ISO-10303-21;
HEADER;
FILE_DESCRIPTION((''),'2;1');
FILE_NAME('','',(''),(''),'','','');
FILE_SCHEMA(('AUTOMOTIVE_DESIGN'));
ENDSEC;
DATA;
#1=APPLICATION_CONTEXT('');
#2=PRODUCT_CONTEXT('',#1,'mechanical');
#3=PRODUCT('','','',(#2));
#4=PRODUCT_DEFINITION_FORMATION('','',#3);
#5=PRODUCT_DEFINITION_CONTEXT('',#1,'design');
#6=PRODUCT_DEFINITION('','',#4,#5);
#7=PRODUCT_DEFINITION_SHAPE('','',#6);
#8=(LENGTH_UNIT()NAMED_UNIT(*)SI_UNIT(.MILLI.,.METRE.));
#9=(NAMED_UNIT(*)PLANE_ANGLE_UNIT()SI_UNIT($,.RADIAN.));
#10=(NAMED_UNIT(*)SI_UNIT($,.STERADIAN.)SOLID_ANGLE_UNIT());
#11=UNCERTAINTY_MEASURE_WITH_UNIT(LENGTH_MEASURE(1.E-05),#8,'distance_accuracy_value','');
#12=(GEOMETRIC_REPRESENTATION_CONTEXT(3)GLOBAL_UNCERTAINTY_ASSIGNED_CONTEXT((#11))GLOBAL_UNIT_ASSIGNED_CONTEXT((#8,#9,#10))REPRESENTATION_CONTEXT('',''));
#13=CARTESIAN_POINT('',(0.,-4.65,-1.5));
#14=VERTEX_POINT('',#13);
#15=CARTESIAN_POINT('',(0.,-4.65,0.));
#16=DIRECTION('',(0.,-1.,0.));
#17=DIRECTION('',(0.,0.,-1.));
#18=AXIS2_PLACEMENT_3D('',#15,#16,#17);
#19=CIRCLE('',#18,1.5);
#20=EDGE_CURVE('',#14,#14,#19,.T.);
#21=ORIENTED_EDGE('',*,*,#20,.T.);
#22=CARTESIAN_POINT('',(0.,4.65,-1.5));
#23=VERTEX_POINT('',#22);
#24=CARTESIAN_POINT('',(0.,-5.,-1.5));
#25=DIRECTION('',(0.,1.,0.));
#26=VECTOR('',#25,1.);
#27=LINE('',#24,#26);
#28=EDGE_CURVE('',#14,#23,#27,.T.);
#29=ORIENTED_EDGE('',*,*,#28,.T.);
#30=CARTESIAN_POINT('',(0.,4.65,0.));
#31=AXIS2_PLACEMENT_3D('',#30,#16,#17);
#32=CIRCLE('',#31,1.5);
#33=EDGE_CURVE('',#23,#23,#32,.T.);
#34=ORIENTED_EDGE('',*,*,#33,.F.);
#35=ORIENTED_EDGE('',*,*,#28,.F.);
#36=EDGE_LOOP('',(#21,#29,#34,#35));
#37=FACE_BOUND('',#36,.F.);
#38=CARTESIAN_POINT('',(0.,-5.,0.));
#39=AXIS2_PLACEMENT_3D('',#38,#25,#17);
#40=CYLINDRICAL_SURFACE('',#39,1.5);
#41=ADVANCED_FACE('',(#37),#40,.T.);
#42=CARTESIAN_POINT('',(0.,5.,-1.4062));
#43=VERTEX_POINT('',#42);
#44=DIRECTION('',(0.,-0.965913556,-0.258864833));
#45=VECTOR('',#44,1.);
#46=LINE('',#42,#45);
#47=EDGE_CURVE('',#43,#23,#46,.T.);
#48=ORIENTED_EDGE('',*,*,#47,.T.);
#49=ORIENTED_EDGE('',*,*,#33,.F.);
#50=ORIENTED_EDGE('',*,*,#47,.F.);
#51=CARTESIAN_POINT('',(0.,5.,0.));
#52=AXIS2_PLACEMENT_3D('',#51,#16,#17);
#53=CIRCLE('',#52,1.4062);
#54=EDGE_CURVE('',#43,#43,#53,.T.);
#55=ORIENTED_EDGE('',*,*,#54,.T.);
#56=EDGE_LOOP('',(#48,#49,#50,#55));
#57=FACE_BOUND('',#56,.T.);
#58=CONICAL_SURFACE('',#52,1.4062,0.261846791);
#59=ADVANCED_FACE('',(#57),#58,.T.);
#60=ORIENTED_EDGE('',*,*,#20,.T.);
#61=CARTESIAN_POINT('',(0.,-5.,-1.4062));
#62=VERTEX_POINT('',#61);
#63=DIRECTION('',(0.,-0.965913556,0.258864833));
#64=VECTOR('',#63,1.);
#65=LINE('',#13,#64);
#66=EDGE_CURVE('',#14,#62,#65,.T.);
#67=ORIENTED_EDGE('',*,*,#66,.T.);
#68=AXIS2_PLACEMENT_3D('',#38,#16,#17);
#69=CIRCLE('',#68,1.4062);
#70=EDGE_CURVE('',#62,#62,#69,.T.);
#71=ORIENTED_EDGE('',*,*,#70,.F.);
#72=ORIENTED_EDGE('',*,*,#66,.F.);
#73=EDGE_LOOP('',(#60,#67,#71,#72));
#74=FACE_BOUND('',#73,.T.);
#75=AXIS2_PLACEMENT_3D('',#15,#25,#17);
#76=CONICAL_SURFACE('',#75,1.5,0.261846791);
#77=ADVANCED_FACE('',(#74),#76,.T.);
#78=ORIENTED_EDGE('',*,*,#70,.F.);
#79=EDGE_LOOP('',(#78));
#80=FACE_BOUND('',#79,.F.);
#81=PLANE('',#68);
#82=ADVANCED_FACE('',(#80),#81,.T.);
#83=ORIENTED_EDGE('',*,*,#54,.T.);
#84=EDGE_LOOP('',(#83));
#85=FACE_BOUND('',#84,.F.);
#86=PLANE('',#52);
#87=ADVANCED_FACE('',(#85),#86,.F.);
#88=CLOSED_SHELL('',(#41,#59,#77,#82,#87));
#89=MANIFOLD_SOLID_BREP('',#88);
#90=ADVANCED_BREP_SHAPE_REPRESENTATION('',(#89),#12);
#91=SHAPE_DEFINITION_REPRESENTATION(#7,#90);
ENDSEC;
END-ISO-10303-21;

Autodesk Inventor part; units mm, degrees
ref_plane "YZ Plane" through (0, 0, 0) normal (1, 0, 0) x (0, 1, 0)
ref_plane "XZ Plane" through (0, 0, 0) normal (0, 1, 0) x (-1, 0, 0)
ref_plane "XY Plane" through (0, 0, 0) normal (0, 0, 1) x (1, 0, 0)
sketch "スケッチ2" plane through (0, 0, 0) normal (1, 0, 0) x (0, 1, 0)
  line L0 (5, 1.5) -> (-5, 1.5)
  line L1 (-5, 1.5) -> (-5, -1.5)
  line L2 (-5, -1.5) -> (5, -1.5)
  line L3 (5, -1.5) -> (5, 1.5)
  line L4 (5, 1.5) -> (-5, -1.5) construction
  line L5 (-5, 1.5) -> (5, -1.5) construction
  line L6 (5, -1.4062) -> (4.65, -1.5)
  line L7 (5, 0) -> (-5, 0)
  line L8 (-4.65, -1.5) -> (-5, -1.4062)
  point P0 (0, 0)
  dimension "d9" = 10
  dimension "d10" = 3
  dimension "d11" = 0.35
  dimension "d12" = 15
  dimension "d14" = 0.35
  dimension "d15" = 15
revolve "回転1" add sketch "スケッチ2" angle 360 about axis through (0, 5, 0) along (0, -1, 0) contours L3 L6 L2 L8 L1 L7
properties part number "f3w10" material "ステンレス鋼"
